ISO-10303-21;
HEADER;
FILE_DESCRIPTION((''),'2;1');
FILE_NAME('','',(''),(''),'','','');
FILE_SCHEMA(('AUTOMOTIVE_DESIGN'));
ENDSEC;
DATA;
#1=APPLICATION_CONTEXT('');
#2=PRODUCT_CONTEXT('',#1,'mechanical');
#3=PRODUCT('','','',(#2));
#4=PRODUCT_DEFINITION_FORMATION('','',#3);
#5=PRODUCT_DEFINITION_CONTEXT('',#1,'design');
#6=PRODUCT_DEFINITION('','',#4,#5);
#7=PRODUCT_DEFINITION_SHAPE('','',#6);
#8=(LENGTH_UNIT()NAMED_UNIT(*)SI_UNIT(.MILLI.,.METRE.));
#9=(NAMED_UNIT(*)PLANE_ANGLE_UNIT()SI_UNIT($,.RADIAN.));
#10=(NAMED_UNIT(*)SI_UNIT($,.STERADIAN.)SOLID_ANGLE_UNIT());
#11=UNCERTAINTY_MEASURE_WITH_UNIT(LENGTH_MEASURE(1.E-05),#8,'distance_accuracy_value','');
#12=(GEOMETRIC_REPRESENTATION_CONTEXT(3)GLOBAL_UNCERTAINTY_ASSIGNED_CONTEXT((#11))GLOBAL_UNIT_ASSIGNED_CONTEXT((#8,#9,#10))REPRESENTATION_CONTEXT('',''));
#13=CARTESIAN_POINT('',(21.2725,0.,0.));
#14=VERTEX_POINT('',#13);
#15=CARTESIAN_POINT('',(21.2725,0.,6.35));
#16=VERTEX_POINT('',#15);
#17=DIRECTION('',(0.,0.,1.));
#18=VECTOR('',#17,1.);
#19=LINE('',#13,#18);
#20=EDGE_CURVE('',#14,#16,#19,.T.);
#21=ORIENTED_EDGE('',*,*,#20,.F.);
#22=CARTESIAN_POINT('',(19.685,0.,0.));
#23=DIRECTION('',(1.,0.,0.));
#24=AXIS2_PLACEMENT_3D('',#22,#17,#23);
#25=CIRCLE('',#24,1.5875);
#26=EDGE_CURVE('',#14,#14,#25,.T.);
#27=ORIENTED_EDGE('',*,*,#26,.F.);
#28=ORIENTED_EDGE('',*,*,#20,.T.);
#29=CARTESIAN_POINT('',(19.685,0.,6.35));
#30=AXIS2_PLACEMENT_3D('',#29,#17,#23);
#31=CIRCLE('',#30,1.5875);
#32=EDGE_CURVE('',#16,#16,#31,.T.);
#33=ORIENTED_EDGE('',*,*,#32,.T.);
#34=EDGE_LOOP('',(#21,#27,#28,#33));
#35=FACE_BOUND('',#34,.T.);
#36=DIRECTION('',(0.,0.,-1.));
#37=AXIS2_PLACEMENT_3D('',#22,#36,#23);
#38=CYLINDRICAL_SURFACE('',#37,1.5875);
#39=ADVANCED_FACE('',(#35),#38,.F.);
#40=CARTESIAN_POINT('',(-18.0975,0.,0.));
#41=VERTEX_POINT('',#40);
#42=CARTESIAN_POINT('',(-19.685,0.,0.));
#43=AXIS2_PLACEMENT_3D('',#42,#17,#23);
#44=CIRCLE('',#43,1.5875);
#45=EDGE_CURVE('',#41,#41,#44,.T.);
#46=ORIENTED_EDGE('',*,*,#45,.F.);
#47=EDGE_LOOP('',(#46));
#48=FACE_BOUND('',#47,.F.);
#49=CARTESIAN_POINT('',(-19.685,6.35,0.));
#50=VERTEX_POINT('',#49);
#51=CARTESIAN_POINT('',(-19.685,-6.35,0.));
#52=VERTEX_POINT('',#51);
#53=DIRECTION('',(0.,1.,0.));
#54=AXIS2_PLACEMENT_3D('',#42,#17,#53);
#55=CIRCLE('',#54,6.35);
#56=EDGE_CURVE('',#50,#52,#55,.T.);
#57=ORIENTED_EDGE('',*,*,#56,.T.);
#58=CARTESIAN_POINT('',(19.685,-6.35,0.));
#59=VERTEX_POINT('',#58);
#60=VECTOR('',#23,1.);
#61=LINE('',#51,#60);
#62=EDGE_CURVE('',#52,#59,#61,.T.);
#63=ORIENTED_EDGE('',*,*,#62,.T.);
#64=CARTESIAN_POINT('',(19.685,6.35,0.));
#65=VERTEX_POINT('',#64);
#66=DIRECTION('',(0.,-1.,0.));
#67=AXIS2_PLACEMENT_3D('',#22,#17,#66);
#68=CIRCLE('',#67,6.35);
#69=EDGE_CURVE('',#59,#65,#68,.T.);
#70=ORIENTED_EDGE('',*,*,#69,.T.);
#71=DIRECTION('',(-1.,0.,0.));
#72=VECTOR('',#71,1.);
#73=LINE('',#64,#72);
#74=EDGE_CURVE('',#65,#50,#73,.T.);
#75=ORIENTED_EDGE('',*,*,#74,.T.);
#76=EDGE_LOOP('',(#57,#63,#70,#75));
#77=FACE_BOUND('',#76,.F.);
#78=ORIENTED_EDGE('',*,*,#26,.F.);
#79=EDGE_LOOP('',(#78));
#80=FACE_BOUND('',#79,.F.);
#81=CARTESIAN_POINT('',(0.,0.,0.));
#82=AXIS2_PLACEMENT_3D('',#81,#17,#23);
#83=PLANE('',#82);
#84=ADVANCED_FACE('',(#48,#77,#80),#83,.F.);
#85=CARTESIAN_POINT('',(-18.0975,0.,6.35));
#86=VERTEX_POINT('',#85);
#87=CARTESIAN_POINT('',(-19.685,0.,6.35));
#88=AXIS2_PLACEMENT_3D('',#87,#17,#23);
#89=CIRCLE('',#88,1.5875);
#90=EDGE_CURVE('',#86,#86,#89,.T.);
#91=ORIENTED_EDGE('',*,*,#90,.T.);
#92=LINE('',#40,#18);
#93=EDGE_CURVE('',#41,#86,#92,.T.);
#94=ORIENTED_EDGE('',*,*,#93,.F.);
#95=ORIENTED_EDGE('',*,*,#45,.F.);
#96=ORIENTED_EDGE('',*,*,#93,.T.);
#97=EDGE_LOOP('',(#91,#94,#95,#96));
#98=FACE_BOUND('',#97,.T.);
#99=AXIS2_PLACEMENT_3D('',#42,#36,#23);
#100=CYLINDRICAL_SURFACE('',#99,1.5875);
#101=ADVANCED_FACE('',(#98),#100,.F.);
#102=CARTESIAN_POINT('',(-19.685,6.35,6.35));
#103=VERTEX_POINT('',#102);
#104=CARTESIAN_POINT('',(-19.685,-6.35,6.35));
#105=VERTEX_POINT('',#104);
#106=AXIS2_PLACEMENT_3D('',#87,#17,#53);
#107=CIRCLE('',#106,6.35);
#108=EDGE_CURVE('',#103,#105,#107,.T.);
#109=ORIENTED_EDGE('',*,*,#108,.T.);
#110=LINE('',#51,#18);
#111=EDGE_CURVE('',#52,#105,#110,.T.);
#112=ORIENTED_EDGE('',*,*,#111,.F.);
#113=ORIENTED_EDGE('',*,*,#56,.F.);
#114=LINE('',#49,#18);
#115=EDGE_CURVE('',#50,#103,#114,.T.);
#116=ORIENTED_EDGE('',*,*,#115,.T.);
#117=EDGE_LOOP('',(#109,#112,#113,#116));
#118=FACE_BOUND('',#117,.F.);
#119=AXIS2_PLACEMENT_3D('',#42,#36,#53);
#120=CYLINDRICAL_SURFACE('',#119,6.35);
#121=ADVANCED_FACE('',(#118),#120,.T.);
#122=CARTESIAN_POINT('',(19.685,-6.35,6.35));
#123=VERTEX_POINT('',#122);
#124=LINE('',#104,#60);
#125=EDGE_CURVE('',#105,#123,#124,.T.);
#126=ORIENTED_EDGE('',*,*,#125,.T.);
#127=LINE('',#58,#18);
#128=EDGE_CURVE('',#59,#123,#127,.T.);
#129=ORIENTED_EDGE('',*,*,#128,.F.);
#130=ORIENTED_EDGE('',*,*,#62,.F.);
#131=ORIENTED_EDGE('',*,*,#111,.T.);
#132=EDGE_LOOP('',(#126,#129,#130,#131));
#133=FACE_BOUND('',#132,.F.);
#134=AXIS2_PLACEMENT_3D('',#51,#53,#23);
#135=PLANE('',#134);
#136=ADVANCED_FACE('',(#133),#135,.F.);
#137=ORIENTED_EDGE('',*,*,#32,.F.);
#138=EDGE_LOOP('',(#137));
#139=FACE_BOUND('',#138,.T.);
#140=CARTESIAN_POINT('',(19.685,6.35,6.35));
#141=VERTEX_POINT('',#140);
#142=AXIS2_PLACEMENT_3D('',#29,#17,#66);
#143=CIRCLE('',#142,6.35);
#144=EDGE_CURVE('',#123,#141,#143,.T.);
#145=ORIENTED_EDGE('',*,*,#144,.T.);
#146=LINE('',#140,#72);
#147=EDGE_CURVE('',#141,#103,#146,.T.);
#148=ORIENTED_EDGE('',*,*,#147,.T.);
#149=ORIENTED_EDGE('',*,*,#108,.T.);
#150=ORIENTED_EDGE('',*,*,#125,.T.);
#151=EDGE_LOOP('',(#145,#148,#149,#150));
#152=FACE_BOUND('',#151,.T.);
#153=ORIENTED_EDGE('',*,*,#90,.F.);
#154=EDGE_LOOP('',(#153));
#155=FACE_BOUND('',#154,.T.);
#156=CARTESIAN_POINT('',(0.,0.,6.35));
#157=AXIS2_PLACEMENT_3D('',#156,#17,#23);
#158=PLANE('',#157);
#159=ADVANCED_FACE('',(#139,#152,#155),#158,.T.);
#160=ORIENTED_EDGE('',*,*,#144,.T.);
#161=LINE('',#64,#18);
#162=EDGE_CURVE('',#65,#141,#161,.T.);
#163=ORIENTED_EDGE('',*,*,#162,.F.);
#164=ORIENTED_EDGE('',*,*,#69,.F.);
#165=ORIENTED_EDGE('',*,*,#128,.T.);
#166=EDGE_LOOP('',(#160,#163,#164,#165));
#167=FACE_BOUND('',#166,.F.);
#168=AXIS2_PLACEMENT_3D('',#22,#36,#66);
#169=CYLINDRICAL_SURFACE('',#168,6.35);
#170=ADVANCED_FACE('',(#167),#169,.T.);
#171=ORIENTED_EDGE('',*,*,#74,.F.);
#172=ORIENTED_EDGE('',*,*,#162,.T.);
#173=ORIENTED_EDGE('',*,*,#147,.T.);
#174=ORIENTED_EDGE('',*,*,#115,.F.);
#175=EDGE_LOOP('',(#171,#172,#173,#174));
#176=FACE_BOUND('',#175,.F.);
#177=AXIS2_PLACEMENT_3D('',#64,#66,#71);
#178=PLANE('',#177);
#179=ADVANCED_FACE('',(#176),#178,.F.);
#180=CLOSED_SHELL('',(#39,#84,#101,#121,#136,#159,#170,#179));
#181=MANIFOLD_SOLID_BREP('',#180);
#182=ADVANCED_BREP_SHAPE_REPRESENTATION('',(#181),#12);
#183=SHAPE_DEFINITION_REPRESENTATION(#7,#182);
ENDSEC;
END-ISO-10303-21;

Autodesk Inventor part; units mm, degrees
ref_plane "YZ Plane" through (0, 0, 0) normal (1, 0, 0) x (0, 1, 0)
ref_plane "XZ Plane" through (0, 0, 0) normal (0, 1, 0) x (-1, 0, 0)
ref_plane "XY Plane" through (0, 0, 0) normal (0, 0, 1) x (1, 0, 0)
sketch "Sketch1" plane through (0, 0, 0) normal (0, 0, 1) x (1, 0, 0)
  line L0 (19.685, 0) -> (-19.685, 0) construction
  line L1 (19.685, 6.35) -> (-19.685, 6.35)
  line L2 (-19.685, -6.35) -> (19.685, -6.35)
  arc A0 (19.685, -6.35) -> (19.685, 6.35) centre (19.685, 0) ccw
  arc A1 (-19.685, 6.35) -> (-19.685, -6.35) centre (-19.685, 0) ccw
  circle A2 centre (-19.685, 0) radius 1.5875
  circle A3 centre (19.685, 0) radius 1.5875
  point P0 (0, 0)
  dimension "d0" = 6.35
  dimension "d1" = 3.175
  dimension "d2" = 3.175
  dimension "d3" = 39.37
extrude "Extrusion1" add sketch "Sketch1" along normal blind 6.35
properties part number "bunny tendon"
